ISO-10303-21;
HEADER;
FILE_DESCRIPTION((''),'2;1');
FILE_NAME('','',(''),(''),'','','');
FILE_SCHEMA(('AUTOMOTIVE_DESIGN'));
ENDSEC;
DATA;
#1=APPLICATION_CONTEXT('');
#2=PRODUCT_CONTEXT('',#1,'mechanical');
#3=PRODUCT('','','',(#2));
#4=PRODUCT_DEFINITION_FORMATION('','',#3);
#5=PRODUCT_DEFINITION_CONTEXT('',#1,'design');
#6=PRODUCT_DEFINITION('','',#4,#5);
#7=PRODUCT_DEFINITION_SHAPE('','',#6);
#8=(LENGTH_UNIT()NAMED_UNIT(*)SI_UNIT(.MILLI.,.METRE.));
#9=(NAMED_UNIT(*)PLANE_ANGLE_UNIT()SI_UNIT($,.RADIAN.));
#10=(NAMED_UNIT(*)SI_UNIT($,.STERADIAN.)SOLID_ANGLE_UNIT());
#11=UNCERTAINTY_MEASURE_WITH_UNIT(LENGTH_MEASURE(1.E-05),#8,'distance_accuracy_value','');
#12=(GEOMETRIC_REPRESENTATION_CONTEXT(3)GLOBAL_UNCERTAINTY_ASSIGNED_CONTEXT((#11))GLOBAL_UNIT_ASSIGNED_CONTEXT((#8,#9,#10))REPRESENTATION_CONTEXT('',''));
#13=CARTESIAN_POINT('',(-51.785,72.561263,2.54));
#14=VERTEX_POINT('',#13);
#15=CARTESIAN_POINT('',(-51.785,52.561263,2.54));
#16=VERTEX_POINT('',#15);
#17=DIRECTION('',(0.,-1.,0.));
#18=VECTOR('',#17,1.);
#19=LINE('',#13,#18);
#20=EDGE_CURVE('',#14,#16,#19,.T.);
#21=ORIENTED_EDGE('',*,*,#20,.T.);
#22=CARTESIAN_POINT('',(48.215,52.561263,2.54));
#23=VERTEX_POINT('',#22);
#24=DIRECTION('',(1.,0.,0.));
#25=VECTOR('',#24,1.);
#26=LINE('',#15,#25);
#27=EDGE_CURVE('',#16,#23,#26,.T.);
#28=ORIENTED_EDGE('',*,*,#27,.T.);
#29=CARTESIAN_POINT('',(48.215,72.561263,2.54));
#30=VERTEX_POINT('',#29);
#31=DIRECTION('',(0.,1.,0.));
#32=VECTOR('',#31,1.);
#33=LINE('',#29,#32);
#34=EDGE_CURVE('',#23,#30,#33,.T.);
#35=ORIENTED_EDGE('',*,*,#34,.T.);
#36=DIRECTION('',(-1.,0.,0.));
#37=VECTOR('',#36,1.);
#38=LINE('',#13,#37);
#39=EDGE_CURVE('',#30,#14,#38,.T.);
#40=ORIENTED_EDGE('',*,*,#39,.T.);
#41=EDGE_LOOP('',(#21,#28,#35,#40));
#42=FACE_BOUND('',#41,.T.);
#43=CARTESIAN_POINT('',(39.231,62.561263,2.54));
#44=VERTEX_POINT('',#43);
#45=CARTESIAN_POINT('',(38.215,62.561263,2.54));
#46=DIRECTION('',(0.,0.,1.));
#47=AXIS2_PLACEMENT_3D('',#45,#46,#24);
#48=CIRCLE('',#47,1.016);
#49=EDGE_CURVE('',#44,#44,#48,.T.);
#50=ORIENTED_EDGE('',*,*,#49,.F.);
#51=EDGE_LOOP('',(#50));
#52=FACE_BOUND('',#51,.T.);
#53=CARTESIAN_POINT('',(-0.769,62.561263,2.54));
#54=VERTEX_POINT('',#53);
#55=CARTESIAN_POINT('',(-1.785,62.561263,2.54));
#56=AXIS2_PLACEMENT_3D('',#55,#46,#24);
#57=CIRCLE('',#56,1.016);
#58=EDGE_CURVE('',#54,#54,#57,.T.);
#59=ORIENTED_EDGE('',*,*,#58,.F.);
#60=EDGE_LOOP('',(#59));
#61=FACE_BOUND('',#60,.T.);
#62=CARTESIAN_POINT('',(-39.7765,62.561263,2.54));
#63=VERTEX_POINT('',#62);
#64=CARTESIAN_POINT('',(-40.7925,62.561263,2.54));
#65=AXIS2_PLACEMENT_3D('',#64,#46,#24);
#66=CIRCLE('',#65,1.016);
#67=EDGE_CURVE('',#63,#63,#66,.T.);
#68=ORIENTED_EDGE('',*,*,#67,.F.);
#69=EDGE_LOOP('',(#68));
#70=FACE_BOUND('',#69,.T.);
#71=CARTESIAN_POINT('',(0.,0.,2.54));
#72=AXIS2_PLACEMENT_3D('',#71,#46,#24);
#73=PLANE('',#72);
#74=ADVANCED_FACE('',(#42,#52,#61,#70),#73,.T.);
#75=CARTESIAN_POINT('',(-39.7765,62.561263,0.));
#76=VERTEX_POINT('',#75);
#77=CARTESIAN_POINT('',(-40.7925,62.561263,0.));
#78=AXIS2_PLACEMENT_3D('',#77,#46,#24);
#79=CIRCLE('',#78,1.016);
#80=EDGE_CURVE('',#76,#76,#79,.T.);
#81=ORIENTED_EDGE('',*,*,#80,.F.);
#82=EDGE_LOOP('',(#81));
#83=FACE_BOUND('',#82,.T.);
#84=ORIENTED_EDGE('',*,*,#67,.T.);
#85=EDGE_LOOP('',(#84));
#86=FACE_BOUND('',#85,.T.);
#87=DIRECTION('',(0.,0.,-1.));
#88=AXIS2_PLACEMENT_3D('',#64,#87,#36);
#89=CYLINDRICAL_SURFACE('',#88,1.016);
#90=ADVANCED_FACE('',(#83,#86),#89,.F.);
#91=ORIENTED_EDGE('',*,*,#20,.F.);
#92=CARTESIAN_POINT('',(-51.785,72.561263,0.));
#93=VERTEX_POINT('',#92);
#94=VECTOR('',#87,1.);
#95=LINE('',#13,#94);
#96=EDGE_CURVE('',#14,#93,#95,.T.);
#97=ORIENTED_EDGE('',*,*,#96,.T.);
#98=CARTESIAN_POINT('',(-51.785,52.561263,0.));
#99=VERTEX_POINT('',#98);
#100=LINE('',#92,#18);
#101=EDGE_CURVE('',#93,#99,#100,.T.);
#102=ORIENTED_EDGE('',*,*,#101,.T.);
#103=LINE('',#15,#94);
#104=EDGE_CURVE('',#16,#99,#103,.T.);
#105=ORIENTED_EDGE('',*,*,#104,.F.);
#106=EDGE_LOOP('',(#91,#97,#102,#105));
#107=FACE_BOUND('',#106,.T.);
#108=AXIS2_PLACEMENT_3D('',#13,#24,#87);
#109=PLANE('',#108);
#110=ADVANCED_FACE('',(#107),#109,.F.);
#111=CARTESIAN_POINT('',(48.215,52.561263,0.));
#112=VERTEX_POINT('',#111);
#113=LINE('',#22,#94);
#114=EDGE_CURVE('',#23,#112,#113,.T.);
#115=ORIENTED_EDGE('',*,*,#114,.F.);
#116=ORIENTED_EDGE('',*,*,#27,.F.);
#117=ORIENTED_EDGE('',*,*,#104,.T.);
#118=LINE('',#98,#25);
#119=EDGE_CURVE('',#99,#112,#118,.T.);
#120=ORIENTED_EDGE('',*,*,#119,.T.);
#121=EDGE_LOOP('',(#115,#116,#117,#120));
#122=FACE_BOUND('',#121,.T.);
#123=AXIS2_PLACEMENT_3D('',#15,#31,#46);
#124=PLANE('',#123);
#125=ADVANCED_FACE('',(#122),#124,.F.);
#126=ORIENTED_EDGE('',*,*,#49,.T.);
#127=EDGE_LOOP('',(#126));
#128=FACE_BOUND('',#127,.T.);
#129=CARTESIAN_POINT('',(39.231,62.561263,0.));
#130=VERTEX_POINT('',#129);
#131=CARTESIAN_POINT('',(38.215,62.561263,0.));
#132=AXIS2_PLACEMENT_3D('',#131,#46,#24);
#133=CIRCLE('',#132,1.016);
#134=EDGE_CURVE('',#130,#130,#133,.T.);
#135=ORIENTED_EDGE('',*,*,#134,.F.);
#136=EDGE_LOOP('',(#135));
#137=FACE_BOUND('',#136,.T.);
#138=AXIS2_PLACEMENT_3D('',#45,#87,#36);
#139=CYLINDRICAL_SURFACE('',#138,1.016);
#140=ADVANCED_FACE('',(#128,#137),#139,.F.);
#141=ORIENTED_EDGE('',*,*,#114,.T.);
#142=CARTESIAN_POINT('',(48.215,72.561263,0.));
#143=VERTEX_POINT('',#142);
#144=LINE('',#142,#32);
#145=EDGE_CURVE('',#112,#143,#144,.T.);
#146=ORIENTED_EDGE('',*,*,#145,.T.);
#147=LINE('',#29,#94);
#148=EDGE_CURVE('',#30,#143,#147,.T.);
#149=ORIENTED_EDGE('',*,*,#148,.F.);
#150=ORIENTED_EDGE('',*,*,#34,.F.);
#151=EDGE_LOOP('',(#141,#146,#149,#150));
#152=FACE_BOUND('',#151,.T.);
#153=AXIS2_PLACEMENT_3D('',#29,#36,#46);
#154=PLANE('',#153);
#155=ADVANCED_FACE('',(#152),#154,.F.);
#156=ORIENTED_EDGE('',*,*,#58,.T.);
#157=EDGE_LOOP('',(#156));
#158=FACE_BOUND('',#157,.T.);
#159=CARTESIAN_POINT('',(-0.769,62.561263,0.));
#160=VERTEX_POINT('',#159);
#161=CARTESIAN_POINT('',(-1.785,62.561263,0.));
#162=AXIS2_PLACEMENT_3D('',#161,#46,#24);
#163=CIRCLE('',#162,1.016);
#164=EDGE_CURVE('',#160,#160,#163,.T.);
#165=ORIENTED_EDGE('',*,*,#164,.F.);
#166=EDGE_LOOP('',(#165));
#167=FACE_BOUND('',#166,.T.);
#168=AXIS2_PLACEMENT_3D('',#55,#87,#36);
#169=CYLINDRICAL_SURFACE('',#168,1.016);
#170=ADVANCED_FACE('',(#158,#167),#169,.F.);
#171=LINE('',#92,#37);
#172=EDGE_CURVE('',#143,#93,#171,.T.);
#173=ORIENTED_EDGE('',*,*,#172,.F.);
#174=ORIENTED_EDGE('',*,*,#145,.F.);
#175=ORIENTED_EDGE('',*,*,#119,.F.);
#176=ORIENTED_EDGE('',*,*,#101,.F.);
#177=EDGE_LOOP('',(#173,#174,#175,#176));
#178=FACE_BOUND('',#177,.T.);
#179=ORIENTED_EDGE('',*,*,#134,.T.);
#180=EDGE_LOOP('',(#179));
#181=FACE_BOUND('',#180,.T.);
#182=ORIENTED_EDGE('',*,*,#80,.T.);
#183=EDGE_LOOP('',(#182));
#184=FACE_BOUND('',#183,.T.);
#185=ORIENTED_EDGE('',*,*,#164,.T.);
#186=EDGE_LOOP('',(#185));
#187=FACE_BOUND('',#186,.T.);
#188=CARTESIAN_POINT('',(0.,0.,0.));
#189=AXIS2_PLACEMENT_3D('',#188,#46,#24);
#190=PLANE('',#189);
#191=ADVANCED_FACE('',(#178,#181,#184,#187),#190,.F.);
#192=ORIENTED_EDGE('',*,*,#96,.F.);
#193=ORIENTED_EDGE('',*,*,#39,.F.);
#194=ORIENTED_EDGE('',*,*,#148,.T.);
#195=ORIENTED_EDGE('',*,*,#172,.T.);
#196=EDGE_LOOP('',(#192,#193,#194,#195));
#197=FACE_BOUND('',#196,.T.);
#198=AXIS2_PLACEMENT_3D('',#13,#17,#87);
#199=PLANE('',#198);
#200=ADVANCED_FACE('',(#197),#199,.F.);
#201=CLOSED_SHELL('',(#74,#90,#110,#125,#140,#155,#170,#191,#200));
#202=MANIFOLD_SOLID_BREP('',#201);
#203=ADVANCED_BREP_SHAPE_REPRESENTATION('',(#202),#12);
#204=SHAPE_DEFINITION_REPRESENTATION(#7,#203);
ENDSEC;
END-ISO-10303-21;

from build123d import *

# Parameters (mm, degrees)
SKETCH2_W           = 100
SKETCH2_H           = 20
SKETCH2_R           = 1.016
BOSS_EXTRUDE1_DEPTH = 2.54


with BuildPart() as part:
    # Sketch2 → Boss-Extrude1 (new body)
    with BuildSketch(Plane.XY):
        with Locations((-1.785, 62.561262502)):
            Rectangle(SKETCH2_W, SKETCH2_H)
        with Locations((-40.7925, 62.561262502)):
            Circle(SKETCH2_R, mode=Mode.SUBTRACT)
        with Locations((-1.785, 62.561262502)):
            Circle(SKETCH2_R, mode=Mode.SUBTRACT)
        with Locations((38.215, 62.561262502)):
            Circle(SKETCH2_R, mode=Mode.SUBTRACT)
    extrude(amount=BOSS_EXTRUDE1_DEPTH)


solid = part.part
